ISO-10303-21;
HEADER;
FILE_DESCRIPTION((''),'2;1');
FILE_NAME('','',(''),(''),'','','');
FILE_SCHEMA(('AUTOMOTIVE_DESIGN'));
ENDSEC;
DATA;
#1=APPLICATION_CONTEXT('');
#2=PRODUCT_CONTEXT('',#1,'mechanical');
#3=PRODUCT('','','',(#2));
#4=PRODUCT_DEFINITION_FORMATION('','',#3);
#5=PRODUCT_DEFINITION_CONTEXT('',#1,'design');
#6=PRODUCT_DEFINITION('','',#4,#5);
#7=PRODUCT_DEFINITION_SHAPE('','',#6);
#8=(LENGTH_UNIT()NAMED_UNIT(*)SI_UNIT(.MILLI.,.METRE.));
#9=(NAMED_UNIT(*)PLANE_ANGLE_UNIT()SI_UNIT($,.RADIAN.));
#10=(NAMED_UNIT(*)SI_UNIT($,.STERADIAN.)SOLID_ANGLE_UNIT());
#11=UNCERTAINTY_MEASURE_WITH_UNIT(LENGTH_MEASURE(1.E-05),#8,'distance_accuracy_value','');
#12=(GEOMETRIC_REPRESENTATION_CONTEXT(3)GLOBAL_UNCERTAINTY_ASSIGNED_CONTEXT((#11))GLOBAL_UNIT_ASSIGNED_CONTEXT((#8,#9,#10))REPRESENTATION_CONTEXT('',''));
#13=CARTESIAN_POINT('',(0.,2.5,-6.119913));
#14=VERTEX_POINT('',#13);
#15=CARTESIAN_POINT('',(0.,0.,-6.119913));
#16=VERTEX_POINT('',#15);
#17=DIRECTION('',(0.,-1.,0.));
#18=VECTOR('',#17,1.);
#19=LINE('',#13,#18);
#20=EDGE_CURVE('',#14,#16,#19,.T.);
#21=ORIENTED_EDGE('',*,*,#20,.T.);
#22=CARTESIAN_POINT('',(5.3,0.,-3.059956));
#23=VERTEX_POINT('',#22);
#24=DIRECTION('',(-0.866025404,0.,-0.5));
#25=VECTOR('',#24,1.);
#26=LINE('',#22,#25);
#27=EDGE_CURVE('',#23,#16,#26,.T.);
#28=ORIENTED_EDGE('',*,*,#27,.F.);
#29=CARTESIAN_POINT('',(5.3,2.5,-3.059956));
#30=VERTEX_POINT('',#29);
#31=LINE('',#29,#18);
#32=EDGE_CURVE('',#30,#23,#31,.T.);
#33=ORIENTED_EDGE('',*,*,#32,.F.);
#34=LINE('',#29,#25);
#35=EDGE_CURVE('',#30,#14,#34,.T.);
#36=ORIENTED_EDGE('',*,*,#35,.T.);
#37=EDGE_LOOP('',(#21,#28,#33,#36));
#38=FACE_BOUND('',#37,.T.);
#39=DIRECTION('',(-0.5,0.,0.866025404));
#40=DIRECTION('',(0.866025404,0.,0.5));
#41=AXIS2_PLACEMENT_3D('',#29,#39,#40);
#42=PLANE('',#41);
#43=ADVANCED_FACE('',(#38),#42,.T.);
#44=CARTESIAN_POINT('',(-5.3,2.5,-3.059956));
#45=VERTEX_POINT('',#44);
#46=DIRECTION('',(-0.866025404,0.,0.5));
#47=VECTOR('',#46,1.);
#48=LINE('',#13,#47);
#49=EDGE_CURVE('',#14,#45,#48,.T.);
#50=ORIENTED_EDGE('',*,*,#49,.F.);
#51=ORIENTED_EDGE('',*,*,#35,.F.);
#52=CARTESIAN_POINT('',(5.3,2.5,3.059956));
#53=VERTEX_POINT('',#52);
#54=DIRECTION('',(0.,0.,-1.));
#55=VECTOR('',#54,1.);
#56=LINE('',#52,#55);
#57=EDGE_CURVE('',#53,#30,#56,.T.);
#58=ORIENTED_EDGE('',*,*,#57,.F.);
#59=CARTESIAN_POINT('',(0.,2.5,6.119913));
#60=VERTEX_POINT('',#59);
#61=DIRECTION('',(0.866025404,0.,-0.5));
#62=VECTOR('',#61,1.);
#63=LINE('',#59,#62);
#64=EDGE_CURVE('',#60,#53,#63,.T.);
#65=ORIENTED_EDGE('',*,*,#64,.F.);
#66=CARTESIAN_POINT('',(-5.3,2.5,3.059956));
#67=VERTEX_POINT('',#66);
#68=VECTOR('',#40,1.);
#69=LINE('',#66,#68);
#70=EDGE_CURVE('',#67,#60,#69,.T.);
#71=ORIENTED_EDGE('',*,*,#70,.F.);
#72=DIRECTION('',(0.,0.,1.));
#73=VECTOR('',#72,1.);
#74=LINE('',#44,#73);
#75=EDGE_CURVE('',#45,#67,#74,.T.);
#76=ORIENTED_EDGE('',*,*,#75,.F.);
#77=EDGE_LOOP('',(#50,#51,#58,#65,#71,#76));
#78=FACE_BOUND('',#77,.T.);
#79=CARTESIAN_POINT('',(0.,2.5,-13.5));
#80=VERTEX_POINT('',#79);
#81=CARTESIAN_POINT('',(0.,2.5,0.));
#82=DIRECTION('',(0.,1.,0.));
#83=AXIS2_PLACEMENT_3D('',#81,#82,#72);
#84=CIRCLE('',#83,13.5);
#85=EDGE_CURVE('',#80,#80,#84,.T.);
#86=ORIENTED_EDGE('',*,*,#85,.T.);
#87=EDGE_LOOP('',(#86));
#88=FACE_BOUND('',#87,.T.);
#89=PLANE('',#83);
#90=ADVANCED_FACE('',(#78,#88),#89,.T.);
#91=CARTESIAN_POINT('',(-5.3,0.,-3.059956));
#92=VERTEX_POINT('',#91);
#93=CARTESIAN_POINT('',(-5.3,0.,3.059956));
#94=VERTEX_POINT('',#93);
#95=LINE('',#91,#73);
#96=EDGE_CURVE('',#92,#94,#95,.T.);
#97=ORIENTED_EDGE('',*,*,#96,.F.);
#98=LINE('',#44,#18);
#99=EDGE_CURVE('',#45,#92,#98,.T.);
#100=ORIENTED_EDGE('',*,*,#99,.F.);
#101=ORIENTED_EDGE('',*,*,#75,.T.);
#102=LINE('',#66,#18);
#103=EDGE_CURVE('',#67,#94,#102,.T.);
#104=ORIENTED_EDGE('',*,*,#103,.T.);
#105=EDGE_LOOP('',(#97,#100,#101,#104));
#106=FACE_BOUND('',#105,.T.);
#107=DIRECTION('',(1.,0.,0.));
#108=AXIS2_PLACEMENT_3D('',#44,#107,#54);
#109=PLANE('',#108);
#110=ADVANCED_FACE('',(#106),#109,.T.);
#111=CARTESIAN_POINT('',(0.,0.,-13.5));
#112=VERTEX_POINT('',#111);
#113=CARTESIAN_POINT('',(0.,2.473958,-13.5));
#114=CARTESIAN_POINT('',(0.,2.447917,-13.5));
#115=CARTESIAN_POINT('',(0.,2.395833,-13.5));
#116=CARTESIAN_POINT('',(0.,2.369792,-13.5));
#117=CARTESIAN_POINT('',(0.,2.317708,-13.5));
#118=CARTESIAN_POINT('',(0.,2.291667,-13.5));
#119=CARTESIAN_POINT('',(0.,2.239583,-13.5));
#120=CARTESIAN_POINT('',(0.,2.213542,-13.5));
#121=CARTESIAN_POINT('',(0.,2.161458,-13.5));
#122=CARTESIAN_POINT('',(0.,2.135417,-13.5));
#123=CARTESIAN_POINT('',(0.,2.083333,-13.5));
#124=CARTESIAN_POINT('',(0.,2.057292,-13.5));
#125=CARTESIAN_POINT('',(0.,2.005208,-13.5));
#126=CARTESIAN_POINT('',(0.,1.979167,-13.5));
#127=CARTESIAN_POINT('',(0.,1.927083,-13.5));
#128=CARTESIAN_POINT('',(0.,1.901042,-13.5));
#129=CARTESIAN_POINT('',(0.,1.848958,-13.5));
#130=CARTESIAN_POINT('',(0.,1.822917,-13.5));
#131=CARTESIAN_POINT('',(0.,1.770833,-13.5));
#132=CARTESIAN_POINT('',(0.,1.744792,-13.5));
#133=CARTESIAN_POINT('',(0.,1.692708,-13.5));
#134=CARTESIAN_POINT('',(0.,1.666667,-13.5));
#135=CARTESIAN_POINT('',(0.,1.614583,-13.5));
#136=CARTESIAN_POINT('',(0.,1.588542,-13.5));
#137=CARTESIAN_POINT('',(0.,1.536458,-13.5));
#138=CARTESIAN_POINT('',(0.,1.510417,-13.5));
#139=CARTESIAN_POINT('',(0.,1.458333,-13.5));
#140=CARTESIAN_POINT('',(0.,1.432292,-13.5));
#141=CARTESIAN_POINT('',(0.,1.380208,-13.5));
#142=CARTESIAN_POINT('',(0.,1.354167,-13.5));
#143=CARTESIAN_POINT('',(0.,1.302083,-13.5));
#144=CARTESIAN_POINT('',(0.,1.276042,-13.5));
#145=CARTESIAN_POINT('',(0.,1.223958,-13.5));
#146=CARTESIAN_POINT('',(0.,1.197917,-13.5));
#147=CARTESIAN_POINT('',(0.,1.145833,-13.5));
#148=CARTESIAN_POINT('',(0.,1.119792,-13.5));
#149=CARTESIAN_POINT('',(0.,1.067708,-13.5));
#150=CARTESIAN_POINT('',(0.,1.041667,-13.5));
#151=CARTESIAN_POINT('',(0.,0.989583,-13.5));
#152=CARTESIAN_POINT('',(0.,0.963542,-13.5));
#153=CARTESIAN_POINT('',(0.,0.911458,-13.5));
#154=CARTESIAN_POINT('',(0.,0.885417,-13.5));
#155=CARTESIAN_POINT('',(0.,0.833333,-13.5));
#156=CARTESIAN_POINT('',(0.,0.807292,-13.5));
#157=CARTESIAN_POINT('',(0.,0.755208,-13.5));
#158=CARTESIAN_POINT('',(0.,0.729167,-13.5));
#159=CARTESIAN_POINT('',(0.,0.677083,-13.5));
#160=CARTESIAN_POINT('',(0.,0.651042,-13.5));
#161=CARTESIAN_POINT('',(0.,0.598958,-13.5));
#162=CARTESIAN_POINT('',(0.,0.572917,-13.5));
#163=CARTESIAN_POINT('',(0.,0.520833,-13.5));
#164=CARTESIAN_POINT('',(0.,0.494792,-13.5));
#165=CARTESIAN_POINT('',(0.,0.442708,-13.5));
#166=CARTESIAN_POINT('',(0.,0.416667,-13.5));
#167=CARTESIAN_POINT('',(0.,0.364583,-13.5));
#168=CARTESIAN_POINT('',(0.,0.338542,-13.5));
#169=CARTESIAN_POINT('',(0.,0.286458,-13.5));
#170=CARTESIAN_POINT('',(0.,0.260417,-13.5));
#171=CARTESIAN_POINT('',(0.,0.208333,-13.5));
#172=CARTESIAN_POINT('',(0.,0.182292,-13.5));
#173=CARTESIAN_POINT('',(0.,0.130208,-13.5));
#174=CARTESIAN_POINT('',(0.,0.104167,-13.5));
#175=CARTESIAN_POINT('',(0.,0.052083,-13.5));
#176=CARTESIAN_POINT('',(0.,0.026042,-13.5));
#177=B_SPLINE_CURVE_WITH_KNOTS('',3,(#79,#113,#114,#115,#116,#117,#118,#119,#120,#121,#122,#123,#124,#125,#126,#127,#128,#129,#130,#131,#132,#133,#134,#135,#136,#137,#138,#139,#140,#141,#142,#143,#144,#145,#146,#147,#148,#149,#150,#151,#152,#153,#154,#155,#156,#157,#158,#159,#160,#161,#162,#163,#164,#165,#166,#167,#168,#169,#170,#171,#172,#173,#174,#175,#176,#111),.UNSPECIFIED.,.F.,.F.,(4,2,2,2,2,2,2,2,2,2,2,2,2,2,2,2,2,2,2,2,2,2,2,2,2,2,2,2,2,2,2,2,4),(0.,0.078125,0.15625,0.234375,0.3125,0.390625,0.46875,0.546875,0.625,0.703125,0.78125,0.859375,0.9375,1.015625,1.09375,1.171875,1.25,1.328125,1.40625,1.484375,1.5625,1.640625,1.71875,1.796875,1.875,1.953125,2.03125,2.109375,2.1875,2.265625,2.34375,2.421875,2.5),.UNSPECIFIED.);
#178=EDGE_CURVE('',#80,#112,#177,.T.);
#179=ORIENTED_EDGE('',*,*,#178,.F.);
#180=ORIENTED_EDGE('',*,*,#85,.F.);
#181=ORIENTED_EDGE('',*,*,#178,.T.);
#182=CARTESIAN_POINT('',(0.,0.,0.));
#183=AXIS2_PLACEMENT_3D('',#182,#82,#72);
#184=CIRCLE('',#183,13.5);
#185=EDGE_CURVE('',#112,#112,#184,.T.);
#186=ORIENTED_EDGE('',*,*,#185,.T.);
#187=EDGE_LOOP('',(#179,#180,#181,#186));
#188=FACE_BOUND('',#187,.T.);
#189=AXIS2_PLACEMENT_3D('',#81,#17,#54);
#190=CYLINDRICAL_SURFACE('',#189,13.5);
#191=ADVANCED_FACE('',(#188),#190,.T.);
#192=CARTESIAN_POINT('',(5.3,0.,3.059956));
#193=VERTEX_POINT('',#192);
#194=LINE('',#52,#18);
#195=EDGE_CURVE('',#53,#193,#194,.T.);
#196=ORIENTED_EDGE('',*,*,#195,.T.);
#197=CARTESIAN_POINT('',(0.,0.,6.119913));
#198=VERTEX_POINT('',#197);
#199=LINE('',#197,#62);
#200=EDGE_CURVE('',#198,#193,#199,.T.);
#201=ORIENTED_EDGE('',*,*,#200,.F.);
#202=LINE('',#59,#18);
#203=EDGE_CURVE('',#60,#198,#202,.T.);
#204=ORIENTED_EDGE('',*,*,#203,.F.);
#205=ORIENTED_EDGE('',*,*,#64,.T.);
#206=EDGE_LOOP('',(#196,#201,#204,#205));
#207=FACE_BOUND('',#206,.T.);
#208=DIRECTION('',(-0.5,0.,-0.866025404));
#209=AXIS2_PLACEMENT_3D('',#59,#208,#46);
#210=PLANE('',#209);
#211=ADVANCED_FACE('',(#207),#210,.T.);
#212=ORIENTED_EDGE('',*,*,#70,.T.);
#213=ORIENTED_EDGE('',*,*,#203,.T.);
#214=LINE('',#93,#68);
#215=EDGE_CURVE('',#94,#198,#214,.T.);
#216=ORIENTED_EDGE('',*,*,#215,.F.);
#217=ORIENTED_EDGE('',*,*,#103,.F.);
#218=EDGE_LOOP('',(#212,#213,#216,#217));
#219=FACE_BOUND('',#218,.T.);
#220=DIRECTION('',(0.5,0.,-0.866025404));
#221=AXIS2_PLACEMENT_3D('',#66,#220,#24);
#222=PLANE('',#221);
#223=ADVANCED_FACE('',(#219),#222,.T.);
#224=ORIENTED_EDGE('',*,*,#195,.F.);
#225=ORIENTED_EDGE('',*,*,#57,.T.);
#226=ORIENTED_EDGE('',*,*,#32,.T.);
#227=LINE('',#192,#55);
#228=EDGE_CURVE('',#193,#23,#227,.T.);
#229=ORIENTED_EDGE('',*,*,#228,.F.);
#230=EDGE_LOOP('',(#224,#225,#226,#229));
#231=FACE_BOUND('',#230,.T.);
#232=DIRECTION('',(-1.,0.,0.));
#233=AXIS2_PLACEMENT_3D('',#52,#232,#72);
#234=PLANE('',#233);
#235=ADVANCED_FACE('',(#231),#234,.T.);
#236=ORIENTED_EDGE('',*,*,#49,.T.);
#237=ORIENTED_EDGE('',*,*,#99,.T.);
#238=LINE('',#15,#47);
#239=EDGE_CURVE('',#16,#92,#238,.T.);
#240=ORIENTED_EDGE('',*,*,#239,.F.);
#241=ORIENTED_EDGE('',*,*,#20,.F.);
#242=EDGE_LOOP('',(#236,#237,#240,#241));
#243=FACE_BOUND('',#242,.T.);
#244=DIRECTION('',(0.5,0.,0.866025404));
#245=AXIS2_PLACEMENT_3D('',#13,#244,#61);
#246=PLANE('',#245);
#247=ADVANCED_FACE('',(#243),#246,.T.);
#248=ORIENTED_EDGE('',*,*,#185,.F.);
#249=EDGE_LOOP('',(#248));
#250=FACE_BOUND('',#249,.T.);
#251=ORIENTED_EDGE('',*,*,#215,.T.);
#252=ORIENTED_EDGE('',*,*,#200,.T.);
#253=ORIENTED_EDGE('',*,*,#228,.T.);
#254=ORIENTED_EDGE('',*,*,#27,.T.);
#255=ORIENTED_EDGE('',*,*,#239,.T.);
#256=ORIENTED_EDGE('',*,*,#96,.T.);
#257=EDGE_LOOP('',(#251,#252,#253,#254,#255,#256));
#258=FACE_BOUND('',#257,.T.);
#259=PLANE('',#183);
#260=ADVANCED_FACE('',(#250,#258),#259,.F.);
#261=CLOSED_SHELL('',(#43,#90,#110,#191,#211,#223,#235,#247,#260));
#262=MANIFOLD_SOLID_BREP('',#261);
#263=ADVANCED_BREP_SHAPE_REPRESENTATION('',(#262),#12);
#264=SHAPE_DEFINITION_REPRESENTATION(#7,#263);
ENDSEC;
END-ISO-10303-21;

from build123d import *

# Parameters (mm, degrees)
SKETCH_1_R      = 13.5
EXTRUDE_1_DEPTH = 2.5


with BuildPart() as part:
    # 草图1 → 凸台-拉伸1 (new body)
    with BuildSketch(Plane(origin=(0, 0, 0), x_dir=(1, 0, 0), z_dir=(0, 1, 0))):
        with Locations(Location((0, 0, 0), (0, 0, 90))):
            Circle(SKETCH_1_R)
        Polygon((0, -6.119912853), (5.3, -3.059956427), (5.3, 3.059956427), (0, 6.119912853), (-5.3, 3.059956427), (-5.3, -3.059956427), align=None, mode=Mode.SUBTRACT)
    extrude(amount=EXTRUDE_1_DEPTH)


solid = part.part
